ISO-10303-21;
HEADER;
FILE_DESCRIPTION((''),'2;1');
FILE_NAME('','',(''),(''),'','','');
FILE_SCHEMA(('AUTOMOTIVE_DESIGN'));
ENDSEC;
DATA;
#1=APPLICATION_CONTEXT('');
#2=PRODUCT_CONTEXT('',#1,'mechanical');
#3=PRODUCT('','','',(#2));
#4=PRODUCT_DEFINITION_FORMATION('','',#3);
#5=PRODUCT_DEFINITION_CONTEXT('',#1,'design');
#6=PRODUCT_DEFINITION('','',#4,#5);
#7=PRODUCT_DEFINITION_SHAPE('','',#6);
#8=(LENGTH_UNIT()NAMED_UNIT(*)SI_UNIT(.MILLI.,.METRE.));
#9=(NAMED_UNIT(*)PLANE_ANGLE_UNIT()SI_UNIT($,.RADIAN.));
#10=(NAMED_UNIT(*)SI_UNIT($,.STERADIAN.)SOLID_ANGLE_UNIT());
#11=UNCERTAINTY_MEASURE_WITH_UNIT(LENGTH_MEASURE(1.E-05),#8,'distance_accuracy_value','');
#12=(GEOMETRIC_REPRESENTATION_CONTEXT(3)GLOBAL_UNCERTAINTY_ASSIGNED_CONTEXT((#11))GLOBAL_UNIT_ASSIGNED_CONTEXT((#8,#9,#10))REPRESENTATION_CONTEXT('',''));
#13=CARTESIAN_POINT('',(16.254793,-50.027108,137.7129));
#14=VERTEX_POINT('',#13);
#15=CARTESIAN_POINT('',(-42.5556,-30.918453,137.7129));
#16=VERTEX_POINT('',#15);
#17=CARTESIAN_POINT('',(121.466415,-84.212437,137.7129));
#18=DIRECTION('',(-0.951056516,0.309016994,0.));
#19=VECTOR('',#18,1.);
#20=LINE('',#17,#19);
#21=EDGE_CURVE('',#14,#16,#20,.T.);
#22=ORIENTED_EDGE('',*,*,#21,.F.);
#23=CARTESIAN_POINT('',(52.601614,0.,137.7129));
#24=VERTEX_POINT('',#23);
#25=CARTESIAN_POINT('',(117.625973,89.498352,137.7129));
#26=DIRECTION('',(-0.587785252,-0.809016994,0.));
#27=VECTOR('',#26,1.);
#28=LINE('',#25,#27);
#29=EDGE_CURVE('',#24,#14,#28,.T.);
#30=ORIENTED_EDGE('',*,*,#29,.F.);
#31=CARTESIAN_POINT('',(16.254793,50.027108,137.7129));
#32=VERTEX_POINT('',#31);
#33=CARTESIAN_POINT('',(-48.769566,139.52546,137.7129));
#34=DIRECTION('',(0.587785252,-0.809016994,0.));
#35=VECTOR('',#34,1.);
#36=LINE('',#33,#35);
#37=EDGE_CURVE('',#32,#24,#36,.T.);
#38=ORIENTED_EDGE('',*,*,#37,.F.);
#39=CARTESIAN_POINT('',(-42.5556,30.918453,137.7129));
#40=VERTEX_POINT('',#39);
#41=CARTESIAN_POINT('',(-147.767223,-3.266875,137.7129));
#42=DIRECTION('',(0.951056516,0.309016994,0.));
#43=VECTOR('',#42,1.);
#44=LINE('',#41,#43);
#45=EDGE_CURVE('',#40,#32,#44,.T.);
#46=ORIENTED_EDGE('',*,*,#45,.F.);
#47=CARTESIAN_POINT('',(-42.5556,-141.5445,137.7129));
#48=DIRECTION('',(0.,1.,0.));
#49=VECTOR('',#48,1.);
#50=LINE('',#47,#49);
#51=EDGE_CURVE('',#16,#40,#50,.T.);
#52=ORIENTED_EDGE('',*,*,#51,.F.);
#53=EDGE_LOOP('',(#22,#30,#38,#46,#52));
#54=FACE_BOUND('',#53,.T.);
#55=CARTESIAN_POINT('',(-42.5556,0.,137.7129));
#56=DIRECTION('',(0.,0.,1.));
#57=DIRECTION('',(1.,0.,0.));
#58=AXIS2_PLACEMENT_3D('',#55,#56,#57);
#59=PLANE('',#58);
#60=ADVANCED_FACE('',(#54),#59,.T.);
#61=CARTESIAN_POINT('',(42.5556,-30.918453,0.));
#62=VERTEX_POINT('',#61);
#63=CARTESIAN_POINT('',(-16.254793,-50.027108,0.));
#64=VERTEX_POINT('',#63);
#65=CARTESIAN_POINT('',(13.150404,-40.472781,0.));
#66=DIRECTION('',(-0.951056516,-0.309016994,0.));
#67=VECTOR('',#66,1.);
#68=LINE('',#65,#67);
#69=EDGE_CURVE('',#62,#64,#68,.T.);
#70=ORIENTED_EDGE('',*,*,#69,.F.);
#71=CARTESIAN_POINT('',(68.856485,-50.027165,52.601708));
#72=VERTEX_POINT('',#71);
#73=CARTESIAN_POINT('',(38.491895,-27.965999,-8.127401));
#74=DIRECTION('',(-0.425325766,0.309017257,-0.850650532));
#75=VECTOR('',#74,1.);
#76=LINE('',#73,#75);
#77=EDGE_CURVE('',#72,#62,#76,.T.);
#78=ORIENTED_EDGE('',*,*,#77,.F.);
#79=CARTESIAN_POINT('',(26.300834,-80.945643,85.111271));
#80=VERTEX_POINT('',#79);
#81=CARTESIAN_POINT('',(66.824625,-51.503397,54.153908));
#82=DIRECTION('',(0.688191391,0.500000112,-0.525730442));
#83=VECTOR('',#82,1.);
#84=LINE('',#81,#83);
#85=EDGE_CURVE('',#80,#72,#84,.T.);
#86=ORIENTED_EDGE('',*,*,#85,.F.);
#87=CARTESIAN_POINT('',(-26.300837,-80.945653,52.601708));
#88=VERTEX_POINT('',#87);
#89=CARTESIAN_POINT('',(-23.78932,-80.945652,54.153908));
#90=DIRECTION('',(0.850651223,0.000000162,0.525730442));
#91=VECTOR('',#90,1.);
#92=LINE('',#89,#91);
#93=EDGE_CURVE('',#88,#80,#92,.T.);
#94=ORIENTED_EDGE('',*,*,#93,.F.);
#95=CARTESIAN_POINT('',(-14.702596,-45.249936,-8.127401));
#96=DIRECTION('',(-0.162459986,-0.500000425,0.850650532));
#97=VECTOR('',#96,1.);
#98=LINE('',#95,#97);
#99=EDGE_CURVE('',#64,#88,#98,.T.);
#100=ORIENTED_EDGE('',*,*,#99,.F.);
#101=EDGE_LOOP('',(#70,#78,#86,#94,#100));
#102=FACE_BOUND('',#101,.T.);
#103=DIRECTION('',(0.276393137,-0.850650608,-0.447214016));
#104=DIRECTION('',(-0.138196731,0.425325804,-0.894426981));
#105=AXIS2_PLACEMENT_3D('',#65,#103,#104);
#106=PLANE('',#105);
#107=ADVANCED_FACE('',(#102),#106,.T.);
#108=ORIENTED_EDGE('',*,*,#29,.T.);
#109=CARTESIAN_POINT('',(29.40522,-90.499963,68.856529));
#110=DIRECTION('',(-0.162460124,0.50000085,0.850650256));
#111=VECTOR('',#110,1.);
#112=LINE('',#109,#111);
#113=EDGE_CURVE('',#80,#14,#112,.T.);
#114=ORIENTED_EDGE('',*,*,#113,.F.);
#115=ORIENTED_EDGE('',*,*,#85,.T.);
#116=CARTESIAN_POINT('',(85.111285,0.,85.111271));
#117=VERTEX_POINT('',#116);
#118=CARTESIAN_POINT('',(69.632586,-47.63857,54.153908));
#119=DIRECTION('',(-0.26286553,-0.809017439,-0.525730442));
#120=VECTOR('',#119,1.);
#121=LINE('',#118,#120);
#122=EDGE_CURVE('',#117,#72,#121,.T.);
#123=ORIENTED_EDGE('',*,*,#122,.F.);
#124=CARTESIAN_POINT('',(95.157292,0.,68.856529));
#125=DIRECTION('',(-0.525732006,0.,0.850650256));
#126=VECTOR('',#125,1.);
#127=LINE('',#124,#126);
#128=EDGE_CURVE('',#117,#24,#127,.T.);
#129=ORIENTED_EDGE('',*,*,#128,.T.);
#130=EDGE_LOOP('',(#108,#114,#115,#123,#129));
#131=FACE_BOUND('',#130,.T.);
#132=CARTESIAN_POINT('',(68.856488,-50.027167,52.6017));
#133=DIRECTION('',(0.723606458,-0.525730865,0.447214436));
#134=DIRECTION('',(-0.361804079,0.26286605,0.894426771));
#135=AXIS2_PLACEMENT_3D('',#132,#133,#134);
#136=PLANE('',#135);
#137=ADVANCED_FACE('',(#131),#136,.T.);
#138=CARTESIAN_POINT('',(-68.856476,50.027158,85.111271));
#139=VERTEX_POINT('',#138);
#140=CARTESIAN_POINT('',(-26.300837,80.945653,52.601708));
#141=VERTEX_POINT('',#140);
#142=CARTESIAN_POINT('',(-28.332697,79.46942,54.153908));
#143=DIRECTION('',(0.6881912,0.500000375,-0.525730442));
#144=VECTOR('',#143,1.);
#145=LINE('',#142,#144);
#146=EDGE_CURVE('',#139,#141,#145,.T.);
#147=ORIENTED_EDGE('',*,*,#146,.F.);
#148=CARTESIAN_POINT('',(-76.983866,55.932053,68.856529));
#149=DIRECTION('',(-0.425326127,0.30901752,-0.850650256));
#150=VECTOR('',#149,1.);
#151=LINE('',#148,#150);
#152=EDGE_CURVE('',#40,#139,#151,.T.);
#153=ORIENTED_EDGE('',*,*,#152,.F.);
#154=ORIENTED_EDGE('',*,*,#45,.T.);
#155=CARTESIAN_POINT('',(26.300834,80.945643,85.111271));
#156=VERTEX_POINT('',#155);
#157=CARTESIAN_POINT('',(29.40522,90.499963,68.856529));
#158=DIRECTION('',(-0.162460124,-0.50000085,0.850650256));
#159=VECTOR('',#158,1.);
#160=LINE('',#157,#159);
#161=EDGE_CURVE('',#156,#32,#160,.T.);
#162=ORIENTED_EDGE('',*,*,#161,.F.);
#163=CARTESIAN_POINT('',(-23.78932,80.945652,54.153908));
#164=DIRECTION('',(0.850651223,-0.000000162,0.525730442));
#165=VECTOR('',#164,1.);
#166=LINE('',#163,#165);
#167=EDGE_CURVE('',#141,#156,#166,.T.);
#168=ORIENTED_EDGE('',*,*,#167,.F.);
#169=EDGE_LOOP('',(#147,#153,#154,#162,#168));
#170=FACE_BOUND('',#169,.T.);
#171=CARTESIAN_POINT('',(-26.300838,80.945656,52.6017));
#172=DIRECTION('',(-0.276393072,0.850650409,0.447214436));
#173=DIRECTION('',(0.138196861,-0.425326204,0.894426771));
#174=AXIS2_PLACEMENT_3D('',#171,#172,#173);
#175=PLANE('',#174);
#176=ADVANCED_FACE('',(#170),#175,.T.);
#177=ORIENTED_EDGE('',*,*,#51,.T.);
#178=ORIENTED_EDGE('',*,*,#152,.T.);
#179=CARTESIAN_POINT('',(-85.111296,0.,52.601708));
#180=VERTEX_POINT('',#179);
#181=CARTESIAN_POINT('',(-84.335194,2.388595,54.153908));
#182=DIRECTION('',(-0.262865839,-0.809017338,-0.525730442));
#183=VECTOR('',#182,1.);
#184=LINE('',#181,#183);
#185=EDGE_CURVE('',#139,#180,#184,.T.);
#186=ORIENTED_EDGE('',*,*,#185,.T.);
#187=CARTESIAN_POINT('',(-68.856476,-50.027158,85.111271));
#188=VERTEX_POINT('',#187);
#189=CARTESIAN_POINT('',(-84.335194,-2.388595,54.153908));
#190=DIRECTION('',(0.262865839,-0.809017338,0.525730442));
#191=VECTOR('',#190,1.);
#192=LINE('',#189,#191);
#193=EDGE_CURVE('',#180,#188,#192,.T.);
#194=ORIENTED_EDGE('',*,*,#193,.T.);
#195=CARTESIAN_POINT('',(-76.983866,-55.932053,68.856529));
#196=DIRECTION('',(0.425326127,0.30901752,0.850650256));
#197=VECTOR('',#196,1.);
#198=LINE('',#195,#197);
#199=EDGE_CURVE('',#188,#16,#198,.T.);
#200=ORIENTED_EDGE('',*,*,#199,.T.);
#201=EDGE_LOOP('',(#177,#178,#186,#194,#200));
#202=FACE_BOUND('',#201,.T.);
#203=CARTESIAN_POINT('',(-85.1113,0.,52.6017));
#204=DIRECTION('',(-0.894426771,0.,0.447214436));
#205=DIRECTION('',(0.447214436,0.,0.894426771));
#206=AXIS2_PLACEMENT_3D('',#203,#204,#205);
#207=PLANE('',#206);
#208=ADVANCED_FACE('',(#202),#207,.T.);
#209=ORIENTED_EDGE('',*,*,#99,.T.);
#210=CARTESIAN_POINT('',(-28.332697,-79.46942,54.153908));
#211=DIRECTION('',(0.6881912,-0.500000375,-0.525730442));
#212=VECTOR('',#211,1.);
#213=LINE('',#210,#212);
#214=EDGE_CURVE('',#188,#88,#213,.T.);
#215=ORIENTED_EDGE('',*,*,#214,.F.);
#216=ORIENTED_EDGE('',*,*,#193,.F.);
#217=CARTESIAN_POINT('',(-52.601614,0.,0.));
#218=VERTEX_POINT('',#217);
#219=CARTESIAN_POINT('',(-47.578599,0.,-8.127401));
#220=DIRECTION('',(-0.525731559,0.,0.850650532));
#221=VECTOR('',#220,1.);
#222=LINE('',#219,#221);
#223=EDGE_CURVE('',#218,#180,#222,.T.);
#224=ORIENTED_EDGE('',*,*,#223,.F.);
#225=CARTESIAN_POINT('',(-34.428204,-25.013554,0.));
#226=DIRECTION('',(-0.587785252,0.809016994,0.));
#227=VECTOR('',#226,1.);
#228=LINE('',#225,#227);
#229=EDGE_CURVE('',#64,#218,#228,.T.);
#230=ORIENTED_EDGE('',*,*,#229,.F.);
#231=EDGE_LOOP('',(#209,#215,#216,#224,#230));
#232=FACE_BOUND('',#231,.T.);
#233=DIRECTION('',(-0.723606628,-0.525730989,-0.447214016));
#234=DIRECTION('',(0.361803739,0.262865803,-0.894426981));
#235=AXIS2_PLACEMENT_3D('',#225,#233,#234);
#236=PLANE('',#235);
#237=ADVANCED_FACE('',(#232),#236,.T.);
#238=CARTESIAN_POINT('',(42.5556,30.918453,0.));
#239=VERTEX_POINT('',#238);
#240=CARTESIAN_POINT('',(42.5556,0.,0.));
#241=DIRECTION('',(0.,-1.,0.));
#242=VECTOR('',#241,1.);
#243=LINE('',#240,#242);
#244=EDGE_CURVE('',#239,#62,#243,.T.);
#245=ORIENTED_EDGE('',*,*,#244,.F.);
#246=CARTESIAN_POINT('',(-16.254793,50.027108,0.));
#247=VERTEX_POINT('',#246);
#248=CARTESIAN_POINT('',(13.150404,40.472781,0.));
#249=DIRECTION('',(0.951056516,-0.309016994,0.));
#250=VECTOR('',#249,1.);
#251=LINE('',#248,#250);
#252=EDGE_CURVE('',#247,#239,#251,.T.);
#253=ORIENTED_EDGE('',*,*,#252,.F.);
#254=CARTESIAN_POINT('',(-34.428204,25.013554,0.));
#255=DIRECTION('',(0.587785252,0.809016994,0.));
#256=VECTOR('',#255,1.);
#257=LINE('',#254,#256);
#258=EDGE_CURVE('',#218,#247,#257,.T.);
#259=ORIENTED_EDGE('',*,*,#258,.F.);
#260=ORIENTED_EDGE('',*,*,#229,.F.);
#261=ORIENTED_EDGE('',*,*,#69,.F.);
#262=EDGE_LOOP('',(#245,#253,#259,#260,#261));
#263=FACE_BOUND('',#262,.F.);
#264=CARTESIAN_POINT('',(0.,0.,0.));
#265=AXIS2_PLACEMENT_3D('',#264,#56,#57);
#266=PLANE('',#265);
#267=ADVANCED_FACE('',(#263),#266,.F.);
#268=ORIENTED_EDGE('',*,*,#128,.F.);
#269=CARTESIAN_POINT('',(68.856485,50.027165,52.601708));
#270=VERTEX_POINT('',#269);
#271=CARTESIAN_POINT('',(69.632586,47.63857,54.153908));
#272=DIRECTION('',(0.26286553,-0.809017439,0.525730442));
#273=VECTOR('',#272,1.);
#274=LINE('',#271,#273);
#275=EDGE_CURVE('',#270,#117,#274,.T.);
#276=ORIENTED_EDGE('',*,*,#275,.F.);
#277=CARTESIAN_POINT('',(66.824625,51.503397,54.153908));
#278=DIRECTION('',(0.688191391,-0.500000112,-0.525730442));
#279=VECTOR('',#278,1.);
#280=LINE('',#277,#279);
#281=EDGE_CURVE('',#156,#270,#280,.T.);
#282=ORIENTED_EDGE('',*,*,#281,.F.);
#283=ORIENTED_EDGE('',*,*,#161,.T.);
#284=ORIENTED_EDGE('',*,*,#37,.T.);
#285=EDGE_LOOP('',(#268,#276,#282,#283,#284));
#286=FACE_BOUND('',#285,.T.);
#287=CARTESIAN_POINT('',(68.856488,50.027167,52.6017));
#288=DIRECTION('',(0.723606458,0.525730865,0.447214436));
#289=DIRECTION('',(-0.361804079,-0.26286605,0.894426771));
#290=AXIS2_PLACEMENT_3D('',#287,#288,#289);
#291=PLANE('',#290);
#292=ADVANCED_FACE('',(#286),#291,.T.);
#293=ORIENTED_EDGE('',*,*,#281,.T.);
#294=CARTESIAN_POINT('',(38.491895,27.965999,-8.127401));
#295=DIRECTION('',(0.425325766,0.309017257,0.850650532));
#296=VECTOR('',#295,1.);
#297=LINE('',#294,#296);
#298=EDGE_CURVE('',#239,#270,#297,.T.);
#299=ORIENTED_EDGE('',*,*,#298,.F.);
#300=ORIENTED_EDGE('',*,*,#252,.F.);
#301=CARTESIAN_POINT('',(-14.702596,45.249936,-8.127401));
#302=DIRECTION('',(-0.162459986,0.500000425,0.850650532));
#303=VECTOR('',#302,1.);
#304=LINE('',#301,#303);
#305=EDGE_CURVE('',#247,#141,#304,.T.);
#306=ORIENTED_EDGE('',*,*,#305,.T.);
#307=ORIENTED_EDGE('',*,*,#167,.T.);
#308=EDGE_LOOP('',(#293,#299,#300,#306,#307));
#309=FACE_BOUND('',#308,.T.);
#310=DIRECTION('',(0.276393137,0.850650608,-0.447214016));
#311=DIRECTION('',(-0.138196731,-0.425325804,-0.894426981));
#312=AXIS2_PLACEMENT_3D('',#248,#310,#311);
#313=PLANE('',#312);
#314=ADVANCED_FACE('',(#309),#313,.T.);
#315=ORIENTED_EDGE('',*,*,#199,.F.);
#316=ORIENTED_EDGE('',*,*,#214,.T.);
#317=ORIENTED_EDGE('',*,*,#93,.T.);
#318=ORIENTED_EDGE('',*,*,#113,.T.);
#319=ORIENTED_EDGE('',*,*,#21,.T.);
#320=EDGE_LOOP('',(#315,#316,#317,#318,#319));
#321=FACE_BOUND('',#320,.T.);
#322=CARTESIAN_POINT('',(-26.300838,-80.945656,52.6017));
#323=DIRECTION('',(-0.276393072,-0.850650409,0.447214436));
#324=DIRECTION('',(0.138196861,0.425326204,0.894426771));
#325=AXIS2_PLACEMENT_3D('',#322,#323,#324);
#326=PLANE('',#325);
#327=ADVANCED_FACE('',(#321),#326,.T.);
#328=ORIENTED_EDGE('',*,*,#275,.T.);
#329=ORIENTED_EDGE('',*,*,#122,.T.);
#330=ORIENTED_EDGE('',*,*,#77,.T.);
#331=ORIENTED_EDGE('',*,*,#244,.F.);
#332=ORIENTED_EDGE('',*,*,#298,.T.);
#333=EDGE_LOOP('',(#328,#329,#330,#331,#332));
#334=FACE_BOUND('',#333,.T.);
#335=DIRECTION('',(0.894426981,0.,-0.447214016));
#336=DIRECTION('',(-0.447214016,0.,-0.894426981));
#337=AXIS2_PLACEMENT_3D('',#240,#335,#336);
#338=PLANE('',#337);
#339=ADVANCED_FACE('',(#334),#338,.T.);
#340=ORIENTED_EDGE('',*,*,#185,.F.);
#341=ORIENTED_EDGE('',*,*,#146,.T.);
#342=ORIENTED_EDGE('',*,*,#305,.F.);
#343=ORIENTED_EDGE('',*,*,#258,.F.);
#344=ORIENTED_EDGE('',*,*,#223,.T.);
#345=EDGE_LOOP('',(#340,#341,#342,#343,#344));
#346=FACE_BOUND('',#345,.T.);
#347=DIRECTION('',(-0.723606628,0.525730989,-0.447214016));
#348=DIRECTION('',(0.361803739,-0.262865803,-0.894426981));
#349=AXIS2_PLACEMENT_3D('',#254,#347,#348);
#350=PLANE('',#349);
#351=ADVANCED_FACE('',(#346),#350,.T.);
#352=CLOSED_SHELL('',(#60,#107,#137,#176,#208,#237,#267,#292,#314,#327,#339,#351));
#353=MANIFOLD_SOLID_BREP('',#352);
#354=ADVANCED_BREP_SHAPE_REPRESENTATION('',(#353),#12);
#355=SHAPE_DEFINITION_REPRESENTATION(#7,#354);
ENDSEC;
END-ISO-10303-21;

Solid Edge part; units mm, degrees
sketch "Sketch1" plane through (0, 0, 0) normal (0, -1, 0) x (1, 0, 0)
  line L0 (0, 155.506) -> (0, -17.7931)
  arc A0 (0, 155.5061) -> (0, -17.7931) centre (0, 68.8565) cw
revolve "RevolvedProtrusion1" add sketch "Sketch1" angle 360 about axis through (0, 0, 155.506) along (0, 0, -1)
sketch "Sketch2" plane through (0, 0, 0) normal (0, -1, 0) x (1, 0, 0)
  line L0 (85.1113, 85.1113) -> (42.5556, 0)
  line L1 (52.6017, 137.7129) -> (85.1113, 85.1113)
  line L2 (-42.5556, 137.7129) -> (52.6017, 137.7129)
  line L3 (-85.1113, 52.6017) -> (-42.5556, 137.7129)
  line L4 (-52.6017, 0) -> (-85.1113, 52.6017)
extrude "Cutout1" cut sketch "Sketch2" along normal mid plane 283.089 material side at (63.8782, 0, 42.5333)
pattern_circular "Pattern1" count 5 over 360 about axis through (0, 0, 137.7129) along (0, 0, 1) of "Cutout1"
sketch "Sketch3" plane through (0, 0, 0) normal (0, 0, 1) x (1, 0, 0)
  circle A0 centre (0, 0) radius 117.0383
extrude "ExtrudedCutout_6" cut sketch "Sketch3" against normal blind 94.7603
